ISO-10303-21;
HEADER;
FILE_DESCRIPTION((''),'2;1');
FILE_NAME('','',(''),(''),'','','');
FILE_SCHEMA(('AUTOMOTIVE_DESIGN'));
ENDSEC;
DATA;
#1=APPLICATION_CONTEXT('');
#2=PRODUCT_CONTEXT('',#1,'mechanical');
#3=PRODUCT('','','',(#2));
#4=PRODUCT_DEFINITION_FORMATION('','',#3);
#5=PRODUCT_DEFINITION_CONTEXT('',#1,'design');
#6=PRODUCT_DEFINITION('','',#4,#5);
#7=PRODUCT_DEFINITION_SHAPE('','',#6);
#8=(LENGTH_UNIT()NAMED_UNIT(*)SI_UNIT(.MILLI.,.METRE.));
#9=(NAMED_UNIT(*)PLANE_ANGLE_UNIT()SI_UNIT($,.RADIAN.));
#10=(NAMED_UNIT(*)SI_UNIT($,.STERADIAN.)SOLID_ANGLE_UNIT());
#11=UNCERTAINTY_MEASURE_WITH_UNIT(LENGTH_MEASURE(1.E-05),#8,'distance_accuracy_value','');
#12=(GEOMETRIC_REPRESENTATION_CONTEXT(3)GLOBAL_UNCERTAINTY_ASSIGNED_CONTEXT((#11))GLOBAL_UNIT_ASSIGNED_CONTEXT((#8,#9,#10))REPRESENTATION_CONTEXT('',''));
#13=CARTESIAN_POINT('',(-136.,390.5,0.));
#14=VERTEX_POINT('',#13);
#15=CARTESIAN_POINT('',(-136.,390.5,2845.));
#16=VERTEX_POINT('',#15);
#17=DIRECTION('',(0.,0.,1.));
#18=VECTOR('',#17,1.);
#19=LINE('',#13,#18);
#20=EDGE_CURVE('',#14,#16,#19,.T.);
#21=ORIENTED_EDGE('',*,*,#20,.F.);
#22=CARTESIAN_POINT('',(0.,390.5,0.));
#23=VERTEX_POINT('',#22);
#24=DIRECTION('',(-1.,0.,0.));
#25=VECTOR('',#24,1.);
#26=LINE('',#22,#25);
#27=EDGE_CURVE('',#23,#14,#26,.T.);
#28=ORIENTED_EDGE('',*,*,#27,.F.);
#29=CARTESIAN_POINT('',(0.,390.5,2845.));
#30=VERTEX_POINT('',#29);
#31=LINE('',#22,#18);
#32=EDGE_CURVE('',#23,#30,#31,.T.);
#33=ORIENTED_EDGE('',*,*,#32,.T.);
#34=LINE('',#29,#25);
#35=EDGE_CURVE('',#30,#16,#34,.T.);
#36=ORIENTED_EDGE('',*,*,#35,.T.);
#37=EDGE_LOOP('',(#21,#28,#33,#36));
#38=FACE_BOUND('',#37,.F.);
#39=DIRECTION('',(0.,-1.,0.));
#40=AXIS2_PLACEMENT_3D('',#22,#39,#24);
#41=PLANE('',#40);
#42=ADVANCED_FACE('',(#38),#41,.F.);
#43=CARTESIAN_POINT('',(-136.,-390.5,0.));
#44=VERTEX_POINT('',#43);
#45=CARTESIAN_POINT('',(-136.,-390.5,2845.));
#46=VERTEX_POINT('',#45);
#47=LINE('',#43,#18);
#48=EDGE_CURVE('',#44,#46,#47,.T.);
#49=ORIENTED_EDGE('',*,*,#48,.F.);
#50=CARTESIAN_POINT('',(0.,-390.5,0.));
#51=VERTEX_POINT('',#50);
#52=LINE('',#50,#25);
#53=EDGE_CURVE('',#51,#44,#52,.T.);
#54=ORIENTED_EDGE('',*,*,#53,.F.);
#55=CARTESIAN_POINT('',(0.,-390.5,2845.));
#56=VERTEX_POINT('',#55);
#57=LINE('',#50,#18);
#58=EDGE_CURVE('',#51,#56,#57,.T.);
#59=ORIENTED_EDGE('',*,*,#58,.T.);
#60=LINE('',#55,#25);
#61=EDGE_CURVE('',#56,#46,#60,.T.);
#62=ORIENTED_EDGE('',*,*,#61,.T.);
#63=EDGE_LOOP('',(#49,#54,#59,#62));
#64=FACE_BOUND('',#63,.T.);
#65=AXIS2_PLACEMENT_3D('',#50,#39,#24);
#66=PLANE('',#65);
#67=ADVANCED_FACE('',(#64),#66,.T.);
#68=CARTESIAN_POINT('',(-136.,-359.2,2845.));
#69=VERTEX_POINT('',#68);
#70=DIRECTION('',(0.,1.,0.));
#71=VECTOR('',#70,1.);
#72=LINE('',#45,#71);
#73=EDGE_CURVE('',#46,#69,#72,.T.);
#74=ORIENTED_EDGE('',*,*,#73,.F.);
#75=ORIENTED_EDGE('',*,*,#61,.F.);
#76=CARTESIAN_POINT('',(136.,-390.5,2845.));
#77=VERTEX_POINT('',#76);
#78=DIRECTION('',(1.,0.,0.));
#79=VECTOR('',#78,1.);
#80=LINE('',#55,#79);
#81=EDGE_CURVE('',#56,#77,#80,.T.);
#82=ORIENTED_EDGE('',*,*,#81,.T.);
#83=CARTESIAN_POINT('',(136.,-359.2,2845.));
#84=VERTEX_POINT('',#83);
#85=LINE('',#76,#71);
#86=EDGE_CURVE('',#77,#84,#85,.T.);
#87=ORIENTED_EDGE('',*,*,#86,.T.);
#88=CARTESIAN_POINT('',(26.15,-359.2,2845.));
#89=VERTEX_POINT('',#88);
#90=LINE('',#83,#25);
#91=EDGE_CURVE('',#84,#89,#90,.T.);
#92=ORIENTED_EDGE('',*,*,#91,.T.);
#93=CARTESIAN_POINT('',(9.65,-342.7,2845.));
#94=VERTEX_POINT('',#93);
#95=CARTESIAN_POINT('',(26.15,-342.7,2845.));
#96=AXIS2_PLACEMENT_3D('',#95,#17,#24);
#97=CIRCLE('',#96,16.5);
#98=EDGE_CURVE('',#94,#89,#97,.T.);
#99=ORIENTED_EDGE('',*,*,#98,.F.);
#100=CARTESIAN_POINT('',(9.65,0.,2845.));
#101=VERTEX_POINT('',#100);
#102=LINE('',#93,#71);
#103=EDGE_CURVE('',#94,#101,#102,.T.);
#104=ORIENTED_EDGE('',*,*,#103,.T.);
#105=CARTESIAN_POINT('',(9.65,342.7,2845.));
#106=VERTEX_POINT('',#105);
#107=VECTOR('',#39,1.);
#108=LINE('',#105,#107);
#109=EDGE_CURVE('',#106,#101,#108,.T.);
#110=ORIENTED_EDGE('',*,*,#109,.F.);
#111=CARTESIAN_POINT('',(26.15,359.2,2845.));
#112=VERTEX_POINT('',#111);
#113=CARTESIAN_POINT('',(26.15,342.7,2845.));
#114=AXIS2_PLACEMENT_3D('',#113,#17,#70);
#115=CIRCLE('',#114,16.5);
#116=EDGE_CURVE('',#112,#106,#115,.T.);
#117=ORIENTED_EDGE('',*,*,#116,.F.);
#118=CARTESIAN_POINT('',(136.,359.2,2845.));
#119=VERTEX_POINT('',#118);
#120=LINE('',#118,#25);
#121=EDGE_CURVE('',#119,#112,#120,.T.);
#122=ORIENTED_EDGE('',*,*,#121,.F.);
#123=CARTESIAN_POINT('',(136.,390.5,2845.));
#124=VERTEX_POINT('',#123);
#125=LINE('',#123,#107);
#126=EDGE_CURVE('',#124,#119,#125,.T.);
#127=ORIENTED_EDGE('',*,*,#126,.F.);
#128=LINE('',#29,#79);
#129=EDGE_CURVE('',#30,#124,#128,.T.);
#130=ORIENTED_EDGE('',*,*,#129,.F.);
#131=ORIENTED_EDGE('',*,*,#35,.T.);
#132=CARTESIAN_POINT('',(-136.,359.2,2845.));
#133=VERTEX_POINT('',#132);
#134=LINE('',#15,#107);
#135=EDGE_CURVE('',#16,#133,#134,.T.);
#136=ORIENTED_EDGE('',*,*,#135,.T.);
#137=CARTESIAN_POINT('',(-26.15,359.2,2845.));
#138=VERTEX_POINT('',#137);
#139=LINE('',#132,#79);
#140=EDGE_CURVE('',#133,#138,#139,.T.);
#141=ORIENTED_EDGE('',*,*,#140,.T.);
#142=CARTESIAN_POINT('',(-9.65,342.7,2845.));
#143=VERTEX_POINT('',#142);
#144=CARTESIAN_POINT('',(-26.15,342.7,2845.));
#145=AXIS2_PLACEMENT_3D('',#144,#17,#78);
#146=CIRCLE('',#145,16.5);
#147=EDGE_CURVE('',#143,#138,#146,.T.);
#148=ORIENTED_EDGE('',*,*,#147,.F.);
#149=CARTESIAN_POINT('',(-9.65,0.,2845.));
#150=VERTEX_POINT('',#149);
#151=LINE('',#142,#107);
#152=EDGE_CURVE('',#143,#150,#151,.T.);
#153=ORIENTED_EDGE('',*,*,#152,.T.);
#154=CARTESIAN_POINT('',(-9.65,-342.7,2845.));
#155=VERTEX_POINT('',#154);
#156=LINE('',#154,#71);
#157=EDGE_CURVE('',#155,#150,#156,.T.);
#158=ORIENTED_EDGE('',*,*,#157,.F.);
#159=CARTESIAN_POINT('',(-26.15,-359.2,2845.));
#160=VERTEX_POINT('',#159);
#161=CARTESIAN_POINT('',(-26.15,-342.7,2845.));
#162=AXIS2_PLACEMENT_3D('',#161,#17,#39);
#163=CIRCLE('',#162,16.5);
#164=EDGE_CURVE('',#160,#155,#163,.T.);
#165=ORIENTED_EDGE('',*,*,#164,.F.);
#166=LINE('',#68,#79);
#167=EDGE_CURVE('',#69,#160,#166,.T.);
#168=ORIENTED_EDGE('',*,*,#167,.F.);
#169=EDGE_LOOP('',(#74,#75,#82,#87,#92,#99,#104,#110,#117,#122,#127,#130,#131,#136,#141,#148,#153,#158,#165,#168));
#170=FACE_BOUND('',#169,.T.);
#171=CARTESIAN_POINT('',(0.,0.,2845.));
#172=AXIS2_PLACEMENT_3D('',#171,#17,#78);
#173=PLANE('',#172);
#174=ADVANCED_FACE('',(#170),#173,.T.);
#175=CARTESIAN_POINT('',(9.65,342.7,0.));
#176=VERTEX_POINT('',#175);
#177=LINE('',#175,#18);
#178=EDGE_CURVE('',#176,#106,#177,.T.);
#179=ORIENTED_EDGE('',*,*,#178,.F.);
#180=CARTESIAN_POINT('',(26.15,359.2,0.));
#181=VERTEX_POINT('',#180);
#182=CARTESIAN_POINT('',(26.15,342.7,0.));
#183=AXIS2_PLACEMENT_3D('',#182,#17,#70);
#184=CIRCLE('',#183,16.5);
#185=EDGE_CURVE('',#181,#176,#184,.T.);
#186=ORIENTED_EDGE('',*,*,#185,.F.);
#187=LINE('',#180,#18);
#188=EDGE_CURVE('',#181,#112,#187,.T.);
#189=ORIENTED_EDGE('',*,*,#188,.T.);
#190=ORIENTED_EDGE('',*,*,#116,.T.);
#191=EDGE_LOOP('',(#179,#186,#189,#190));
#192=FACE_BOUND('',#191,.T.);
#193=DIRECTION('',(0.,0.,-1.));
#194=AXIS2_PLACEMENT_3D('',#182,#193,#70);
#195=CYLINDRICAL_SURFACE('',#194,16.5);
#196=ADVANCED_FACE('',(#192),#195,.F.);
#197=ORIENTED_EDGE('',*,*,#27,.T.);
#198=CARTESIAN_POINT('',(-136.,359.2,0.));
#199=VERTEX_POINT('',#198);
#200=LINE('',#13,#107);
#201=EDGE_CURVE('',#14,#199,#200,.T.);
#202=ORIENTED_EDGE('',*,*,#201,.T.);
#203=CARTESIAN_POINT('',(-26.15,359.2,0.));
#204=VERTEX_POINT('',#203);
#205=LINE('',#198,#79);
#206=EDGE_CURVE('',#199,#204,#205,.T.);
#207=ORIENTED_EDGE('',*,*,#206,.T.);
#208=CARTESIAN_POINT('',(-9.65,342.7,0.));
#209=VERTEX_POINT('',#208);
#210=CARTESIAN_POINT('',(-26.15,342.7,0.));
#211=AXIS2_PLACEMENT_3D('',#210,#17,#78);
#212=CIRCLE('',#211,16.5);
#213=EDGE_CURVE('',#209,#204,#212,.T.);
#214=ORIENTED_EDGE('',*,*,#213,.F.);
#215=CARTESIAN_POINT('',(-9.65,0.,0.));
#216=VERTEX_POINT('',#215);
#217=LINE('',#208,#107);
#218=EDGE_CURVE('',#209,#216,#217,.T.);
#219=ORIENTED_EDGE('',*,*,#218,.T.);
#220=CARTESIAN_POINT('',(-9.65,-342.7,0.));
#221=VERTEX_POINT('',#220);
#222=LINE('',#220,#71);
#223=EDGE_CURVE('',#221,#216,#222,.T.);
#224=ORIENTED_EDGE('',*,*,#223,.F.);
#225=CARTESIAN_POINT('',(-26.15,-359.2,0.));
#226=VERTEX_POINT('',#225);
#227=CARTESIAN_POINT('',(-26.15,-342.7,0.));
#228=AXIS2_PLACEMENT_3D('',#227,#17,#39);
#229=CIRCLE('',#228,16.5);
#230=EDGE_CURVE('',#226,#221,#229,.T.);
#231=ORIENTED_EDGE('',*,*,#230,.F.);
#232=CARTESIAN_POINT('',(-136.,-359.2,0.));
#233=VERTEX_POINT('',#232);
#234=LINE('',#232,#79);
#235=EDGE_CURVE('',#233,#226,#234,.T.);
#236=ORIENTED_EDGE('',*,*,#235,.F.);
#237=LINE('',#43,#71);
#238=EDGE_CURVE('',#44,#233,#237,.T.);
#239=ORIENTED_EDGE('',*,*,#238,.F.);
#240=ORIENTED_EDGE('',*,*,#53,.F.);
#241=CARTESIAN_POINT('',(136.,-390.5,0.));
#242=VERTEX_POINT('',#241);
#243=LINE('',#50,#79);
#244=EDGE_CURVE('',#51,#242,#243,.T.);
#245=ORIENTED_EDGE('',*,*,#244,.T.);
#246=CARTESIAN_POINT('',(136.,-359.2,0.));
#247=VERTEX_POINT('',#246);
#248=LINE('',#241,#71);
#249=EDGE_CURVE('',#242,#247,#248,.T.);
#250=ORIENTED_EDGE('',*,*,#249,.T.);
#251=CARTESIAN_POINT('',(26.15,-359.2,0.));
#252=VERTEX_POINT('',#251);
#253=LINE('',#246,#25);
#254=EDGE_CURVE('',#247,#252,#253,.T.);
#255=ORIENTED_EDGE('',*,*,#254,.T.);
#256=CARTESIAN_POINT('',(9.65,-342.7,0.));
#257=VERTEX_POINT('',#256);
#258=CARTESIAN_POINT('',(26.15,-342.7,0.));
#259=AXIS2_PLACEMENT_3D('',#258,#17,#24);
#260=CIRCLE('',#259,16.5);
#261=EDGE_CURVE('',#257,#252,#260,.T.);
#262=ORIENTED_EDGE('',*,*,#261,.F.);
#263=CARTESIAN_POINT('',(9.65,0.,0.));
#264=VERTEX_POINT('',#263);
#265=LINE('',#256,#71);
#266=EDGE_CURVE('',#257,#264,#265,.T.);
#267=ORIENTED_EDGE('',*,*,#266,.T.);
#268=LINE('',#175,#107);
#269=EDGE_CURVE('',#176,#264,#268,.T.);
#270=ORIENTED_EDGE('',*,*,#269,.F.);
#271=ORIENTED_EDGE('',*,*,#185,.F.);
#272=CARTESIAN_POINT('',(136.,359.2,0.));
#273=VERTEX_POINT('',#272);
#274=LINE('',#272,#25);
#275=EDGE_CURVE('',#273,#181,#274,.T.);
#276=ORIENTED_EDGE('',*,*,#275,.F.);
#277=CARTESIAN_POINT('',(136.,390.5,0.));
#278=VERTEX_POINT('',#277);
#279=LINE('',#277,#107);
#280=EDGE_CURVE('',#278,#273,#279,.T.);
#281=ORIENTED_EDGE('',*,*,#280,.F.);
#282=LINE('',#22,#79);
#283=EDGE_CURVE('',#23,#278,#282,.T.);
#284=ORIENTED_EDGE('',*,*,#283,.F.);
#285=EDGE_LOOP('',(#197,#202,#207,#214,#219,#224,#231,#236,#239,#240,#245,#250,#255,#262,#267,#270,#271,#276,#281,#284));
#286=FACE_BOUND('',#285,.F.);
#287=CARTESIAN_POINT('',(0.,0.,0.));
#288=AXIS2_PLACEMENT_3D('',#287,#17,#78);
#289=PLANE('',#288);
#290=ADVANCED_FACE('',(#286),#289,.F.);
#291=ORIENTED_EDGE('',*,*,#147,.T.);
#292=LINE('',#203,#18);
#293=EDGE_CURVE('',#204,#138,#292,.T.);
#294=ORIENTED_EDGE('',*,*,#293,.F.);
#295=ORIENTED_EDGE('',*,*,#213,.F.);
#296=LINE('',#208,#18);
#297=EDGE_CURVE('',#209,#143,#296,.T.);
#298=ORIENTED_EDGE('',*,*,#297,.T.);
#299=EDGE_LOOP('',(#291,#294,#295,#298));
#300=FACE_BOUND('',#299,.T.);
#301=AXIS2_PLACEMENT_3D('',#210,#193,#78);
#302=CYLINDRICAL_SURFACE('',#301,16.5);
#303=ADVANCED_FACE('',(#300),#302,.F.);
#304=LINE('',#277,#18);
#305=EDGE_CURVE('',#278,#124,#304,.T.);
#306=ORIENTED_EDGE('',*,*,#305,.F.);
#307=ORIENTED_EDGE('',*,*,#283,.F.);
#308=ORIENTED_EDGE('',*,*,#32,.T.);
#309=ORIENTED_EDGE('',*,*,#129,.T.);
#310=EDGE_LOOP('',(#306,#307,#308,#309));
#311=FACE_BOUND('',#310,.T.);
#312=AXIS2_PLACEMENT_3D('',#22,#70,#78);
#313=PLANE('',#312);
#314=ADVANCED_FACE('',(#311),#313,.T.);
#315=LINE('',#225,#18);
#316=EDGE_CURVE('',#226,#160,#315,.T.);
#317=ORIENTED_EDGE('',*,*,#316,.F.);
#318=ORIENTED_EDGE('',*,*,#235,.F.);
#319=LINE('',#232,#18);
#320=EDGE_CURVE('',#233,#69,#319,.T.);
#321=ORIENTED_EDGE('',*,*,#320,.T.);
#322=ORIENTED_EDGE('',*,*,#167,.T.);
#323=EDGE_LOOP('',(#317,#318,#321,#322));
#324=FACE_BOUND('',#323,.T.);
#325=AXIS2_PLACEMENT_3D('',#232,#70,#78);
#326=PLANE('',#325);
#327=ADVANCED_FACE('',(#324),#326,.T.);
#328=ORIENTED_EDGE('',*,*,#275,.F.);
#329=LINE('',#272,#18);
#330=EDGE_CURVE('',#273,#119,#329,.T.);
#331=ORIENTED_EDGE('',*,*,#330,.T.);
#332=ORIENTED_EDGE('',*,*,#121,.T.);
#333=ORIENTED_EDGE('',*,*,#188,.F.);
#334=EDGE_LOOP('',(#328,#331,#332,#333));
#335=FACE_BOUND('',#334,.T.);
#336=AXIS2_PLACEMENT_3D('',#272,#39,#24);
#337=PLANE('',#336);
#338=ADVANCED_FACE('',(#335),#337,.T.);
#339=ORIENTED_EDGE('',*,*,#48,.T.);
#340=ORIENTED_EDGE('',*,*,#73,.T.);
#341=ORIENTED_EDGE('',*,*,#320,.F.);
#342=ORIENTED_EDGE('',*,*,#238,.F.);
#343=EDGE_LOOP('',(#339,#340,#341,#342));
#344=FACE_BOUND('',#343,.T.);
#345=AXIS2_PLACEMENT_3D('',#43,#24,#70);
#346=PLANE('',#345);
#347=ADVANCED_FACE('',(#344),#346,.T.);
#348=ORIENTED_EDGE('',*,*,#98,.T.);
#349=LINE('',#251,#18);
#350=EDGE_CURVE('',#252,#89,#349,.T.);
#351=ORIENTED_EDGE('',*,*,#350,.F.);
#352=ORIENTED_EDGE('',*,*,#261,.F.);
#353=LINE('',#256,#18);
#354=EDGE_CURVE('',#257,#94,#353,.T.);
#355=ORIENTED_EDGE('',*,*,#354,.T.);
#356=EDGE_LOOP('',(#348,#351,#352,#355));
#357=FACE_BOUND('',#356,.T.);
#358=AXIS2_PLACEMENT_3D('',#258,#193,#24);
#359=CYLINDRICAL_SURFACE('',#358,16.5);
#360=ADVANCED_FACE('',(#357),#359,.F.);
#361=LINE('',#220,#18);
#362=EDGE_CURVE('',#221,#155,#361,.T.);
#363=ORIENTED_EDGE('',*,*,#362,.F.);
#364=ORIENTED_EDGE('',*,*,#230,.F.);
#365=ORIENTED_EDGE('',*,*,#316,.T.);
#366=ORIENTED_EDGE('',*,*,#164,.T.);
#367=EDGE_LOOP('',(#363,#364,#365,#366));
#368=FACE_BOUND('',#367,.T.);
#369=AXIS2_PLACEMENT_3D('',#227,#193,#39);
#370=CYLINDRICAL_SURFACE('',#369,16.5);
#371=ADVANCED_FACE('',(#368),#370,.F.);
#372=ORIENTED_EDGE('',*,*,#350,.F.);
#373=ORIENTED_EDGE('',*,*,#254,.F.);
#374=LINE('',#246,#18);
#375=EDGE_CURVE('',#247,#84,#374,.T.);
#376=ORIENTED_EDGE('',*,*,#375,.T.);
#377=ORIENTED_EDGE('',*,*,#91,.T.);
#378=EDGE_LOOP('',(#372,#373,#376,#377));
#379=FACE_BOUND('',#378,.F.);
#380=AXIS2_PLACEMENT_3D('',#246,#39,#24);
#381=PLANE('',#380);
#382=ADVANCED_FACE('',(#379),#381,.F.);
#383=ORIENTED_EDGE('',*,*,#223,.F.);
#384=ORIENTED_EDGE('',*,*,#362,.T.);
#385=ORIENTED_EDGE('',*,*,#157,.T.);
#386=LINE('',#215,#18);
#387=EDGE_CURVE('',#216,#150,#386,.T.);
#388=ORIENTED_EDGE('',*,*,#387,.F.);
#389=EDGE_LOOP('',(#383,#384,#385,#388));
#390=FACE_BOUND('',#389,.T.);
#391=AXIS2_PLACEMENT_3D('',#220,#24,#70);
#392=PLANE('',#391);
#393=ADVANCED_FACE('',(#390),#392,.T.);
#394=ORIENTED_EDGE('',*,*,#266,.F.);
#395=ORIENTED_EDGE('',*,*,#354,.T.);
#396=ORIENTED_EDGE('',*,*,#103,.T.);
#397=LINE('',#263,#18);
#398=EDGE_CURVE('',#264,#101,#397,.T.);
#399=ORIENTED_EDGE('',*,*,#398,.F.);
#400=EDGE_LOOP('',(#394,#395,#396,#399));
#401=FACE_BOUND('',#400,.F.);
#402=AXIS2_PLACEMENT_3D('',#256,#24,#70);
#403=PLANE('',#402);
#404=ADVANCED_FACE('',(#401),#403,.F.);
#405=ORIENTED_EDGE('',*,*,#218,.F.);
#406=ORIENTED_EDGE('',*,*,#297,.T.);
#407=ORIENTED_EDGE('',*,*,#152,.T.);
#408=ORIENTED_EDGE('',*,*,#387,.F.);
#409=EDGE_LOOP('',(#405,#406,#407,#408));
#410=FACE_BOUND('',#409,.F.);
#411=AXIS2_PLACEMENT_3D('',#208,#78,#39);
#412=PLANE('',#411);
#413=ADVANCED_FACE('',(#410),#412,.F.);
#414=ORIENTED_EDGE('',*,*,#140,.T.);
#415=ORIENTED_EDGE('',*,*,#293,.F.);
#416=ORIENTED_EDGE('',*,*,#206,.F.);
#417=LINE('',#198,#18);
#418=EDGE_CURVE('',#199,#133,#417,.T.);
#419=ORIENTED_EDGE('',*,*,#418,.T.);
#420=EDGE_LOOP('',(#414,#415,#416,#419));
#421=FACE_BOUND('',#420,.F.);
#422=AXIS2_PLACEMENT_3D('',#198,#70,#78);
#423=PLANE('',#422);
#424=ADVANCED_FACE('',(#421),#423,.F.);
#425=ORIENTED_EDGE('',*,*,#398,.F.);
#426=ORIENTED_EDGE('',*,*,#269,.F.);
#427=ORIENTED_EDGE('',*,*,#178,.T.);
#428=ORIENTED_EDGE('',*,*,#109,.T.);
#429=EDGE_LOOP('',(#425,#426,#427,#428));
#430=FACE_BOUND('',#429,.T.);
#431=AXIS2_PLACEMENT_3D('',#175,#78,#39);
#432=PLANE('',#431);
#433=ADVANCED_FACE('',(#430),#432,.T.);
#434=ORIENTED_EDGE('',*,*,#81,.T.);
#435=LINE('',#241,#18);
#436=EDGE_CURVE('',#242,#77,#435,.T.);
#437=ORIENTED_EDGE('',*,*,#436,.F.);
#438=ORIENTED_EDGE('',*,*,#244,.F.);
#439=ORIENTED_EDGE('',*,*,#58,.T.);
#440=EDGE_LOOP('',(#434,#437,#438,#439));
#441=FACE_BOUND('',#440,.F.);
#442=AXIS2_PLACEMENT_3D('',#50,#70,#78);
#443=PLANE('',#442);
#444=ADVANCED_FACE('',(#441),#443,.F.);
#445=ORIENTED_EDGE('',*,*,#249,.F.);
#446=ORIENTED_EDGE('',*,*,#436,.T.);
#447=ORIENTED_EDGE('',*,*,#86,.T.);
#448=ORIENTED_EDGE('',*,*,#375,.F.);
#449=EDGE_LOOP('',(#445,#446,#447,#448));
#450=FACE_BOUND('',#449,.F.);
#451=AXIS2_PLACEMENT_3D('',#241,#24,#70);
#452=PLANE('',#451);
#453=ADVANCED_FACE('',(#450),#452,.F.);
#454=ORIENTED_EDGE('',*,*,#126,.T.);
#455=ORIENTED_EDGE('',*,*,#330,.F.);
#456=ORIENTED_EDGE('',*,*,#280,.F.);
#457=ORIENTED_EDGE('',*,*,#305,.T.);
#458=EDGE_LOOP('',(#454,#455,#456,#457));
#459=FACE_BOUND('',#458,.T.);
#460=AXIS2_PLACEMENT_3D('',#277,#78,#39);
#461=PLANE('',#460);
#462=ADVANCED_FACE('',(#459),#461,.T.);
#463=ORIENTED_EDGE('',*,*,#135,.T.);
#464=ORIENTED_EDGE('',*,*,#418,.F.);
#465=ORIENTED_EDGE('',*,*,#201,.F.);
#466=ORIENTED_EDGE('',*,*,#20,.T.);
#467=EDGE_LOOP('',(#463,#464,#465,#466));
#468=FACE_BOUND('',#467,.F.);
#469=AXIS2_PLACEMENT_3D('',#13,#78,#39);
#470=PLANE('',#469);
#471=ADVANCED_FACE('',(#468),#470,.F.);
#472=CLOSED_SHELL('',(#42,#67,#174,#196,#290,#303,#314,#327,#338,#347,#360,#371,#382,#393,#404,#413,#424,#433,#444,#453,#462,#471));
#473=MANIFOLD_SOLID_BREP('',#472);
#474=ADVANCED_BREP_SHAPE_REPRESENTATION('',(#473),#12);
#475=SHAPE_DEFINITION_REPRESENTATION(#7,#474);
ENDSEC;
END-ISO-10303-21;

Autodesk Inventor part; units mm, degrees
ref_plane "YZ Plane" through (0, 0, 0) normal (1, 0, 0) x (0, 1, 0)
ref_plane "Start plane" through (0, 0, 0) normal (0, 0, 1) x (1, 0, 0)
ref_plane "End plane" through (0, 0, 2845) normal (0, 0, 1) x (1, 0, 0)
sketch "Sketch" plane through (0, 0, 0) normal (0, 0, 1) x (1, 0, 0)
  line L0 (-136, -390.5) -> (-136, -359.2)
  line L1 (-136, -359.2) -> (-26.15, -359.2)
  line L2 (-9.65, -342.7) -> (-9.65, 0)
  line L3 (-9.65, 0) -> (0, 0) construction
  line L4 (0, 0) -> (0, -390.5) construction
  line L5 (0, -390.5) -> (-136, -390.5)
  line L6 (-60, 0) -> (80, 0) construction
  line L7 (0, -60) -> (0, 80) construction
  line L8 (136, -390.5) -> (136, -359.2)
  line L9 (136, -359.2) -> (26.15, -359.2)
  line L10 (9.65, -342.7) -> (9.65, 0)
  line L11 (9.65, 0) -> (0, 0) construction
  line L12 (0, -390.5) -> (136, -390.5)
  line L13 (-136, 390.5) -> (-136, 359.2)
  line L14 (-136, 359.2) -> (-26.15, 359.2)
  line L15 (-9.65, 342.7) -> (-9.65, 0)
  line L16 (0, 390.5) -> (-136, 390.5)
  line L17 (136, 390.5) -> (136, 359.2)
  line L18 (136, 359.2) -> (26.15, 359.2)
  line L19 (0, 390.5) -> (136, 390.5)
  line L20 (9.65, 342.7) -> (9.65, 0)
  arc A0 (-9.65, 342.7) -> (-26.15, 359.2) centre (-26.15, 342.7) ccw
  arc A1 (26.15, 359.2) -> (9.65, 342.7) centre (26.15, 342.7) ccw
  arc A2 (9.65, -342.7) -> (26.15, -359.2) centre (26.15, -342.7) ccw
  arc A3 (-26.15, -359.2) -> (-9.65, -342.7) centre (-26.15, -342.7) ccw
  line L21 (0, 108) -> (0, -88) construction
  line L22 (-88, 0) -> (108, 0) construction
  point P0 (-9.65, -359.2)
  point P1 (9.65, -359.2)
  point P2 (-9.65, 359.2)
  point P3 (9.65, 359.2)
  dimension "d1" = 390.5
  dimension "d2" = 31.3
  dimension "d3" = 136
  dimension "d4" = 9.65
  dimension "d10" = 16.5
extrude "Body" add sketch "Sketch" along normal up to surface (2845 mm away) from surface at 0
sketch "Sketch4" plane through (0, 0, 0) normal (0, 0, 1) x (1, 0, 0)
  line L0 (0, 0) -> (10, 0)
ref_plane "Work Plane3" through (0, 0, 0) normal (0, -1, 0) x (1, 0, 0)
sketch "Sketch5" plane through (0, 0, 0) normal (0, -1, 0) x (1, 0, 0)
  line L0 (-2, 0) -> (12, 0) projected
  line L1 (-2, 2845) -> (12, 2845) projected
  dimension "d14" = 2845
equation "\"d1\" = 0.5 * G_H"
equation "\"d2\" = G_T1"
equation "\"d3\" = 0.5 * G_W"
equation "\"d4\" = 0.5 * G_T"
equation "\"d10\" = G_IR"
equation "\"d5\" = G_L"
equation "\"G_W\" = 272"
equation "\"G_H\" = 781"
equation "\"G_T\" = 19.3"
equation "\"G_T1\" = 31.3"
equation "\"G_IR\" = 16.5"
equation "\"G_L\" = d14"
equation "\"G_OFFSET_START\" = 0"
equation "\"G_OFFSET_END\" = 0"
equation "\"d12\" = G_OFFSET_END + B_L"
equation "\"B_L\" = 2845"
properties part number "AS 3679-1990 - 760 UB - 244 - 2845" material "Steel, Mild"
